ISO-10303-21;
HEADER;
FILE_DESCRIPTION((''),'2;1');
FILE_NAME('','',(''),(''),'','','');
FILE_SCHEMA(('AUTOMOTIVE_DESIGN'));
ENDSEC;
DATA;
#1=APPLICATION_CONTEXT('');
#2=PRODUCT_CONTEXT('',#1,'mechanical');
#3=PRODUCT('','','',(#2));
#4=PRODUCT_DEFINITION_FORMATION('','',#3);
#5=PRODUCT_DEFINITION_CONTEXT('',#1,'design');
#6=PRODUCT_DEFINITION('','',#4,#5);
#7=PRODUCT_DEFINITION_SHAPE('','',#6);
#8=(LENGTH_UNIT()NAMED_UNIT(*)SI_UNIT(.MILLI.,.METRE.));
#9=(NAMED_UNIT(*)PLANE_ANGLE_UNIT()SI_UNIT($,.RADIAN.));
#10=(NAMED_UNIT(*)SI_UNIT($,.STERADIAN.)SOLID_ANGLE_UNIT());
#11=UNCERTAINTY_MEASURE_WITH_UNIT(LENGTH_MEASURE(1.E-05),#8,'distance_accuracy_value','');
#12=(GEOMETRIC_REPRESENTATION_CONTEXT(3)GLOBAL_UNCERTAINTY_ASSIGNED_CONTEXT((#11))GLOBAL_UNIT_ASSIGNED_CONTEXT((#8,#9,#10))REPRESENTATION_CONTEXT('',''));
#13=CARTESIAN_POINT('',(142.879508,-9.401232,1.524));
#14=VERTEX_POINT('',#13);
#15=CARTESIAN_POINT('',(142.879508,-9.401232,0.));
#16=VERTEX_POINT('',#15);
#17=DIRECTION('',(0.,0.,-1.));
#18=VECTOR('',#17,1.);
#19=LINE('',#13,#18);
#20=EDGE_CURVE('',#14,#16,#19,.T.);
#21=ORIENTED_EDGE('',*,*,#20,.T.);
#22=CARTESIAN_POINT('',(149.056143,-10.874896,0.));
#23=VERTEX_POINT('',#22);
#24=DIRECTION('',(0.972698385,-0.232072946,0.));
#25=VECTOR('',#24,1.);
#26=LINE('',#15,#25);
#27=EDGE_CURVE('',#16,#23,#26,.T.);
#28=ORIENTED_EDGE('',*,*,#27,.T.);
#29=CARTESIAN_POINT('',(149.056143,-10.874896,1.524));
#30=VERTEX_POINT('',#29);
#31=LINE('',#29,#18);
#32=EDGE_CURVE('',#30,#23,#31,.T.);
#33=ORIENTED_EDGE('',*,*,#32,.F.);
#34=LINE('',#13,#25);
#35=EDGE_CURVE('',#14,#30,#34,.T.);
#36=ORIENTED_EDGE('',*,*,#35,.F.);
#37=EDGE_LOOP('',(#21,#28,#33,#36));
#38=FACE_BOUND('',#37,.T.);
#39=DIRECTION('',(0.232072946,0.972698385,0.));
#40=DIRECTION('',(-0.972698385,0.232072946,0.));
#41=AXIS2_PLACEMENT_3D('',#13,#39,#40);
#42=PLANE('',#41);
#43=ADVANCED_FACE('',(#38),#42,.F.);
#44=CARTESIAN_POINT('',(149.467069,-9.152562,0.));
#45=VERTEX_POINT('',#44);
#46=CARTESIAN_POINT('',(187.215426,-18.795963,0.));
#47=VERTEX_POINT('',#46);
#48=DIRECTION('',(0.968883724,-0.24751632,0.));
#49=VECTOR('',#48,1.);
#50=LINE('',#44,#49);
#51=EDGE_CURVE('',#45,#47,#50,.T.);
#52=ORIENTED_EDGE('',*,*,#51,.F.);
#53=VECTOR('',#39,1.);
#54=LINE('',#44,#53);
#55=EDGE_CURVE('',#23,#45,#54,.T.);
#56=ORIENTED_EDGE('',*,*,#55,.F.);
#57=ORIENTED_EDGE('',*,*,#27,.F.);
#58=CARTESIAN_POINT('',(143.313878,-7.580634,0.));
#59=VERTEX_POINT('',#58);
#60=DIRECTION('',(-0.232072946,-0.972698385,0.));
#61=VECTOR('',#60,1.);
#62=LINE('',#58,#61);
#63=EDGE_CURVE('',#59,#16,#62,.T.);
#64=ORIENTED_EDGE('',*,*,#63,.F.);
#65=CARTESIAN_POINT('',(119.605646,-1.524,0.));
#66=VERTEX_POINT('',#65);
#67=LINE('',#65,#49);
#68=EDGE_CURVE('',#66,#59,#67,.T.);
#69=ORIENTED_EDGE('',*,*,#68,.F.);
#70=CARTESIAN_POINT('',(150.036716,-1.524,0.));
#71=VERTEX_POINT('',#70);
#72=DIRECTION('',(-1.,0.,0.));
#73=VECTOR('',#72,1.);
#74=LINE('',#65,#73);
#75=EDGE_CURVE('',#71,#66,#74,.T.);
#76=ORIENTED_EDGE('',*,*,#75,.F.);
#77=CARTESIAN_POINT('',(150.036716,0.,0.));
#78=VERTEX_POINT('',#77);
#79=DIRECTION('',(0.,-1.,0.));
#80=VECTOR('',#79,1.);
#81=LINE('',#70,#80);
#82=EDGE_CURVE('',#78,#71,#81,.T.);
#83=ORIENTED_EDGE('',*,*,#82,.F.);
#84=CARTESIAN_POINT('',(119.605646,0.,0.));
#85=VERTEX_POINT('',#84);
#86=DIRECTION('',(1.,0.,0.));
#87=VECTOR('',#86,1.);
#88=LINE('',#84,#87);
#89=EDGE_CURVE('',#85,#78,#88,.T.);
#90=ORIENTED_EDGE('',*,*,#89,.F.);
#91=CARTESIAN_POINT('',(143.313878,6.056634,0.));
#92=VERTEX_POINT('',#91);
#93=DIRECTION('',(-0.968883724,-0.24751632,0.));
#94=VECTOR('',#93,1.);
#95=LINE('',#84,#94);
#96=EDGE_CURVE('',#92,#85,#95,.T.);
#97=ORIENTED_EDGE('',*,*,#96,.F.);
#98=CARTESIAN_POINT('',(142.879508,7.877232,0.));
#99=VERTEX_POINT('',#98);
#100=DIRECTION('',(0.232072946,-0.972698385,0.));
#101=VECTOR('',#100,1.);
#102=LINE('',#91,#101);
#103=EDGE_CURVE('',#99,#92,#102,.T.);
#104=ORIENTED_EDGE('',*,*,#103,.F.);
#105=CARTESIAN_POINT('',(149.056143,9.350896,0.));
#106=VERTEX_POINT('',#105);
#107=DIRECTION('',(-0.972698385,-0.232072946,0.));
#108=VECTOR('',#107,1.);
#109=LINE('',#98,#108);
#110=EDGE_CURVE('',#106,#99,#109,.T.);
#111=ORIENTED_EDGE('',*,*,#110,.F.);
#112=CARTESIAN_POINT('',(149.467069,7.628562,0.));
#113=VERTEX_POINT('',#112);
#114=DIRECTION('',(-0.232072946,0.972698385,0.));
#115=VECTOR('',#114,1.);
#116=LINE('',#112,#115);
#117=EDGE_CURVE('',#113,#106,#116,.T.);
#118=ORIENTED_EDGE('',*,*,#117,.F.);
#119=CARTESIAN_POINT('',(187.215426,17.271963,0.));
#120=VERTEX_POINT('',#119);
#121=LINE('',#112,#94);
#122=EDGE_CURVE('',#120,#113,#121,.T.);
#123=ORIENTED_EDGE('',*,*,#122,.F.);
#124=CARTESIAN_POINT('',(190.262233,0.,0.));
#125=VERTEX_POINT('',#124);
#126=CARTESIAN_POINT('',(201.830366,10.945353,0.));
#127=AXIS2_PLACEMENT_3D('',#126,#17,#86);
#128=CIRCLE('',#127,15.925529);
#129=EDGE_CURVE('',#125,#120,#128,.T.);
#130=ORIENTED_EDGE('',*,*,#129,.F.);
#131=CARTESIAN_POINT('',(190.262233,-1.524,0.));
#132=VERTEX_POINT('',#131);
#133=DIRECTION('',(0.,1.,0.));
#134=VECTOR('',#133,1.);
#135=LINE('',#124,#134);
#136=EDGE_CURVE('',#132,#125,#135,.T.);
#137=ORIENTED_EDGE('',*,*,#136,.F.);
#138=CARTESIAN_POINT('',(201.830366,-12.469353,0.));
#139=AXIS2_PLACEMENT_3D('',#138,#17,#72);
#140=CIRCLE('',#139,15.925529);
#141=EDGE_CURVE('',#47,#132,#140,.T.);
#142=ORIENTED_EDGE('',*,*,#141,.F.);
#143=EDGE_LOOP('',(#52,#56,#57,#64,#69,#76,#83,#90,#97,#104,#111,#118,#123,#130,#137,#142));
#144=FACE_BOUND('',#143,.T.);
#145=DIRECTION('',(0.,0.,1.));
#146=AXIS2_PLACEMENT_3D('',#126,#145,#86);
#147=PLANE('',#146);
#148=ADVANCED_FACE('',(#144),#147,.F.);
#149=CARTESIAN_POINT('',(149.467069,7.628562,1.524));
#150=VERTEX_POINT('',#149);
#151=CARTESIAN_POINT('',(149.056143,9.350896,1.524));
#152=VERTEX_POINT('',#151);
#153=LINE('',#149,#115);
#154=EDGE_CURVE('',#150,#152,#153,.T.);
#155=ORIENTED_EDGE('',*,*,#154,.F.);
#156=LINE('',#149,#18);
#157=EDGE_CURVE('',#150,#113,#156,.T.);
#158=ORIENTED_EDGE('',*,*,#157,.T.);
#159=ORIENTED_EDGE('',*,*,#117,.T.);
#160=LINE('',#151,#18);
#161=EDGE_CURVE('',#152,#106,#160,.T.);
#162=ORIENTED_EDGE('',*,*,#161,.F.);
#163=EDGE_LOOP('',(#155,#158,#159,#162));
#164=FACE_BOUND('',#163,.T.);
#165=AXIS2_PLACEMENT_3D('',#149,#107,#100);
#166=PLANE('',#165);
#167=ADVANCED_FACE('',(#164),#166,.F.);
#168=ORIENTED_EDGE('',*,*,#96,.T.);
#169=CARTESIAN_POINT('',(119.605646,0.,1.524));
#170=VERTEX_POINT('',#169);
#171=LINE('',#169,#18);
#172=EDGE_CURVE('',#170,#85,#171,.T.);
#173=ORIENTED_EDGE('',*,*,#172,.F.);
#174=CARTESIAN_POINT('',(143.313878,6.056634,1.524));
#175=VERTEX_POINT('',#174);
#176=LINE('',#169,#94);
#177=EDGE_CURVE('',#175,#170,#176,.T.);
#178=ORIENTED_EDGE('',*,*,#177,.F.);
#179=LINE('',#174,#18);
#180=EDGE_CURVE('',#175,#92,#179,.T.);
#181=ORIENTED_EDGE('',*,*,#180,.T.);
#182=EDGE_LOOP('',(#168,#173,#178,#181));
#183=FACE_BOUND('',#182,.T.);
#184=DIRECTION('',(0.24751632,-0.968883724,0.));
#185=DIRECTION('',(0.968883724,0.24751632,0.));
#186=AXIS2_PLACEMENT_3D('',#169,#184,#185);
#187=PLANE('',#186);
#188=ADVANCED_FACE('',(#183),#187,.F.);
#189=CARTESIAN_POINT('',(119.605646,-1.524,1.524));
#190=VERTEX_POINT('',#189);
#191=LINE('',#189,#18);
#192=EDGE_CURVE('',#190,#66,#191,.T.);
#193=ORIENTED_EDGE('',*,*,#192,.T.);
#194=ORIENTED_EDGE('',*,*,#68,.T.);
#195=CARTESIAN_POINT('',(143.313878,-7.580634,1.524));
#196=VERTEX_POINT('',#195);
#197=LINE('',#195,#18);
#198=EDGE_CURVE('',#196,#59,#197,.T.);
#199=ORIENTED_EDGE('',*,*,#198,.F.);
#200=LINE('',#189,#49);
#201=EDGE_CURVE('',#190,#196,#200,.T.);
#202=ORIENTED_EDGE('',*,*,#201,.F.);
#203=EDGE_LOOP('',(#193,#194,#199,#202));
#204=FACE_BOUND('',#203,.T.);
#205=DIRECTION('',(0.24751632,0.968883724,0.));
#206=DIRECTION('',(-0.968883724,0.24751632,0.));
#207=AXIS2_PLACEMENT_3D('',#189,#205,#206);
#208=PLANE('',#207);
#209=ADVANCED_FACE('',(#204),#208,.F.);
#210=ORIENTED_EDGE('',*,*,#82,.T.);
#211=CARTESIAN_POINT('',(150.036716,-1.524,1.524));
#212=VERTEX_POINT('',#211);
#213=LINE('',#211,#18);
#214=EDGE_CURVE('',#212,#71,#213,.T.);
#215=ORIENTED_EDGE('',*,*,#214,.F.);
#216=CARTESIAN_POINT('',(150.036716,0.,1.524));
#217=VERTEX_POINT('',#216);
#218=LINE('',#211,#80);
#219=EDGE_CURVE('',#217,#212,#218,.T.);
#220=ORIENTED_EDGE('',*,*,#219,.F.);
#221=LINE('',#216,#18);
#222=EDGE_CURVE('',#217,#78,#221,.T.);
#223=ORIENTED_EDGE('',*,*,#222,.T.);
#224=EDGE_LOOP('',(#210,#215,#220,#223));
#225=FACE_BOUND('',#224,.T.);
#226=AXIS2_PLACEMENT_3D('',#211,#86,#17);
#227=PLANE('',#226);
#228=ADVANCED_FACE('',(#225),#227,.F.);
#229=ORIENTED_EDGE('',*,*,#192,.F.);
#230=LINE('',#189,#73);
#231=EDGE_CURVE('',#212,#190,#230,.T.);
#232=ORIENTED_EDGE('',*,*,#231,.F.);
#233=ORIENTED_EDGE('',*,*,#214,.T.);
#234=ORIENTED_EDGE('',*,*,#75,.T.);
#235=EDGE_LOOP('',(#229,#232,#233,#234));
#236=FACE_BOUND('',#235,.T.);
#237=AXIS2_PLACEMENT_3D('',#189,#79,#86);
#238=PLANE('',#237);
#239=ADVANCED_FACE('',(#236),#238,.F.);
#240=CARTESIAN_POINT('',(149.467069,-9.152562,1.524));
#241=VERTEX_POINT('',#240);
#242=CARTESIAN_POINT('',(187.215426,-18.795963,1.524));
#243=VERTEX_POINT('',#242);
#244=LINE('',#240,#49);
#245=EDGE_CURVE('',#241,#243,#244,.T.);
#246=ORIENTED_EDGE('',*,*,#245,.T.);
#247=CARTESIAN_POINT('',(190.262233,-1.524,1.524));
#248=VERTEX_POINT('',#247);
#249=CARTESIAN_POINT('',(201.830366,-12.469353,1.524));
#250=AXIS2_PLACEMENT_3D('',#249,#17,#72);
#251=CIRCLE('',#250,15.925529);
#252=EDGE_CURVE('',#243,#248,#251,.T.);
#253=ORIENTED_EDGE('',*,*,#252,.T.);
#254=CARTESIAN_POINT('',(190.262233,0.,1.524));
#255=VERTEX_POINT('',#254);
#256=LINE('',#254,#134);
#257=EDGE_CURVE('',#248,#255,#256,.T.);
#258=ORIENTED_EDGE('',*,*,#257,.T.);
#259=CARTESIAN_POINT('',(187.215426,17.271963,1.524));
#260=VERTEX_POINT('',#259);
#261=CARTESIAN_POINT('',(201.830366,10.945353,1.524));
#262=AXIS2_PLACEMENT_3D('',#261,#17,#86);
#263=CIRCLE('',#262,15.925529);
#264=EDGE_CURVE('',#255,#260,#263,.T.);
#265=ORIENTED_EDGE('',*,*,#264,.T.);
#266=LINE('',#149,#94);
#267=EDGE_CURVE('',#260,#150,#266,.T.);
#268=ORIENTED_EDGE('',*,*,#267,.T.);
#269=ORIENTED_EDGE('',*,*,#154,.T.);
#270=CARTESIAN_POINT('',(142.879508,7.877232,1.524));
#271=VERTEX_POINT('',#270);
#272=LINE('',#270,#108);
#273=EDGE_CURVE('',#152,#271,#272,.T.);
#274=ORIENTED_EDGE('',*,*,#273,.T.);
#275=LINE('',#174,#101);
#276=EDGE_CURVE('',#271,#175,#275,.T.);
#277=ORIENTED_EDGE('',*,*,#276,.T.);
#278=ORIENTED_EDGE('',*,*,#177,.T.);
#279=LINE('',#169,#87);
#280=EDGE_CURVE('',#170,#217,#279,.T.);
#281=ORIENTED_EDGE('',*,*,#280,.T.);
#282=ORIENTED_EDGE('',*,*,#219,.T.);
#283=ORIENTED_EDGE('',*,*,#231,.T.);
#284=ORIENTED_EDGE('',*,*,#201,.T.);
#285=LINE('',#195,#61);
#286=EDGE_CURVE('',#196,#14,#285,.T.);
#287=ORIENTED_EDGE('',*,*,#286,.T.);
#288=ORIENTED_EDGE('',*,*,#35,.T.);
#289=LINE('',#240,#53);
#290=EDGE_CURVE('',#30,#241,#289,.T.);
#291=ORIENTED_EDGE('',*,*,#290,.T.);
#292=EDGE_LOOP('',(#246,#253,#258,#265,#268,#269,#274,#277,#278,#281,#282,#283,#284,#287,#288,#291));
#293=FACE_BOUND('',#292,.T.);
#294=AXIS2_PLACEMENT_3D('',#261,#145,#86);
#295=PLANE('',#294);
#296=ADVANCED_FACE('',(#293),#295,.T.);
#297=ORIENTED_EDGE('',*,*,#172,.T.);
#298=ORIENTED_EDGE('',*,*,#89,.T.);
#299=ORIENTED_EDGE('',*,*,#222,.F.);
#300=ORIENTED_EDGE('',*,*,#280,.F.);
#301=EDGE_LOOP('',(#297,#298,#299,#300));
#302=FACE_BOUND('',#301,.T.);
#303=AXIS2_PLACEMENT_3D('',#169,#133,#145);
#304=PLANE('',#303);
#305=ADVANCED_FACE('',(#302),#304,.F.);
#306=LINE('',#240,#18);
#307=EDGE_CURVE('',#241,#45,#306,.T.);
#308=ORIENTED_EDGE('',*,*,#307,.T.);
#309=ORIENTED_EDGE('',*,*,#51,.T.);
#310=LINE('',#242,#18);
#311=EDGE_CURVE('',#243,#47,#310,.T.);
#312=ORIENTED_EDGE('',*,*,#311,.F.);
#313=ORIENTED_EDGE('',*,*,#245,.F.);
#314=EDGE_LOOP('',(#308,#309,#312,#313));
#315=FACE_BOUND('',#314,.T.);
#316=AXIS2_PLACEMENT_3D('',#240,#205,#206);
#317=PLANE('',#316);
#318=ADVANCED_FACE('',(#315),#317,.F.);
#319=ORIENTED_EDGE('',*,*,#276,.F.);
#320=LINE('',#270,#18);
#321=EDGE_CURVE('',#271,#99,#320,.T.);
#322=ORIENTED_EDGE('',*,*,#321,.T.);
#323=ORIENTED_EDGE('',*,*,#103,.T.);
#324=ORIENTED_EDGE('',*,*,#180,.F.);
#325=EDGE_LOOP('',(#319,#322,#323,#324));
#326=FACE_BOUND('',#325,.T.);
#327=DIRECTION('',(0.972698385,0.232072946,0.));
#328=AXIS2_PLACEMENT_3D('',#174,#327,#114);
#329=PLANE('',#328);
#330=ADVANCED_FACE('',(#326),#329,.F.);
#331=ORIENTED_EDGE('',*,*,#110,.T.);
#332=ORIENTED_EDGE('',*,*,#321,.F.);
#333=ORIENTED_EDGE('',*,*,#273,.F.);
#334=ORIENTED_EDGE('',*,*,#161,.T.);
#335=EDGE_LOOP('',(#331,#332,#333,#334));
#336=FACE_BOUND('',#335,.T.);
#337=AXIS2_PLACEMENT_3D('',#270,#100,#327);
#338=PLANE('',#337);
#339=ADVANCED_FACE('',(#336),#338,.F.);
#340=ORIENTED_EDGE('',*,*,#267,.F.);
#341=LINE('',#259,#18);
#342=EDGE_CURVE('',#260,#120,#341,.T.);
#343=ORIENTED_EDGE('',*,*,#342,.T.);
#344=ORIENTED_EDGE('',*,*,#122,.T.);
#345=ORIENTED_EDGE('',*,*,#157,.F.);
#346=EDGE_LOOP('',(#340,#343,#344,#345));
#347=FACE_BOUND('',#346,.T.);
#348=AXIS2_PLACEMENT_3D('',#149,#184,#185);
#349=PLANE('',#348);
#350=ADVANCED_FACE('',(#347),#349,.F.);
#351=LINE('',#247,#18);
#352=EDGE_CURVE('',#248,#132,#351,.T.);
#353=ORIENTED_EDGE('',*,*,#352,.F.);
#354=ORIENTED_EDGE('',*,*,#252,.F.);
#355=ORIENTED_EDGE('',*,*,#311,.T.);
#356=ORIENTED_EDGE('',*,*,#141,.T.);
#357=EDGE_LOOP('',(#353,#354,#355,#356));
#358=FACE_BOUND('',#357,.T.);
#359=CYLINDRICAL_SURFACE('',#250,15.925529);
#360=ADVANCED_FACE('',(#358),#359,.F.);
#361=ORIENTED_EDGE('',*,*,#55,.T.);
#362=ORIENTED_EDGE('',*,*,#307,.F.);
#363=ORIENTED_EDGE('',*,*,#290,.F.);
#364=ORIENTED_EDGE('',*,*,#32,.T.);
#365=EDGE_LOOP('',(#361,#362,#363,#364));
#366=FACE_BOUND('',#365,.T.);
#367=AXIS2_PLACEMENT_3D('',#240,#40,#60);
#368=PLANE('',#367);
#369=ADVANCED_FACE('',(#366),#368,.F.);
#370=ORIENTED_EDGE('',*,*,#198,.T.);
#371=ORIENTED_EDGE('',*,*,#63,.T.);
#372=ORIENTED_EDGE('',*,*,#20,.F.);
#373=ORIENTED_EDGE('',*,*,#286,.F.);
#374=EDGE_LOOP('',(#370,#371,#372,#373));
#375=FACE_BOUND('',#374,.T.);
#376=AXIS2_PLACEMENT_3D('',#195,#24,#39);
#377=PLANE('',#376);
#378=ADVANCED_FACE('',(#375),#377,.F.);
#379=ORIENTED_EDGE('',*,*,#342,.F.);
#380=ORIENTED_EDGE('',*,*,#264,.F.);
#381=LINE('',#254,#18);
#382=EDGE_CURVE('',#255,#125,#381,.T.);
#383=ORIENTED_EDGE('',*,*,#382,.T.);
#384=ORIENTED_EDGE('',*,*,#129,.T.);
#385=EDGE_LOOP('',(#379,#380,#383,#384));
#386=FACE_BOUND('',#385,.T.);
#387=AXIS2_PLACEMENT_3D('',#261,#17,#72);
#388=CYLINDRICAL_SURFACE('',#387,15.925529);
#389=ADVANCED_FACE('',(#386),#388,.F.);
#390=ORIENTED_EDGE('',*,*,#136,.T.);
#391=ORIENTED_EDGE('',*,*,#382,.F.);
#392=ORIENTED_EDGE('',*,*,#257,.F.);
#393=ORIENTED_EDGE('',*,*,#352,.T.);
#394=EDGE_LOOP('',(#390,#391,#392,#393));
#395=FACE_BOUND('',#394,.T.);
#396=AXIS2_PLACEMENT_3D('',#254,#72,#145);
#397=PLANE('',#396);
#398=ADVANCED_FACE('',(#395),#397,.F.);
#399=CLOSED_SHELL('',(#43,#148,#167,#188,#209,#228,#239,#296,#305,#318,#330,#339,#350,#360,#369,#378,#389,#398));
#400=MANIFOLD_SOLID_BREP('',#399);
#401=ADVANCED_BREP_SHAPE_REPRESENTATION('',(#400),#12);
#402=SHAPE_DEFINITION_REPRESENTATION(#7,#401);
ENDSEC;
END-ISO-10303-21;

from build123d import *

# Parameters (mm, degrees)
BOSS_EXTRUDE1_DEPTH = 1.524


with BuildPart() as part:
    # Sketch1 → Boss-Extrude1 (new body)
    with BuildSketch(Plane.XY):
        with BuildLine():
            Line((150.036715568, -1.524), (150.036715568, 0))
            Line((150.036715568, 0), (119.605645903, 0))
            Line((119.605645903, 0), (143.313878366, 6.056634362))
            Line((143.313878366, 6.056634362), (142.879507781, 7.877232472))
            Line((142.879507781, 7.877232472), (149.056142524, 9.350895679))
            Line((149.056142524, 9.350895679), (149.467068546, 7.628561883))
            Line((149.467068546, 7.628561883), (187.215425718, 17.271963073))
            ThreePointArc((187.215425718, 17.271963073), (186.146982613, 8.178774912), (190.262232611, 0))
            Line((190.262232611, 0), (190.262232611, -1.524))
            ThreePointArc((190.262232611, -1.524), (186.146982613, -9.702774912), (187.215425718, -18.795963073))
            Line((187.215425718, -18.795963073), (149.467068546, -9.152561883))
            Line((149.467068546, -9.152561883), (149.056142524, -10.874895679))
            Line((149.056142524, -10.874895679), (142.879507781, -9.401232472))
            Line((142.879507781, -9.401232472), (143.313878366, -7.580634362))
            Line((143.313878366, -7.580634362), (119.605645903, -1.524))
            Line((119.605645903, -1.524), (150.036715568, -1.524))
        make_face()
    extrude(amount=BOSS_EXTRUDE1_DEPTH)


solid = part.part
